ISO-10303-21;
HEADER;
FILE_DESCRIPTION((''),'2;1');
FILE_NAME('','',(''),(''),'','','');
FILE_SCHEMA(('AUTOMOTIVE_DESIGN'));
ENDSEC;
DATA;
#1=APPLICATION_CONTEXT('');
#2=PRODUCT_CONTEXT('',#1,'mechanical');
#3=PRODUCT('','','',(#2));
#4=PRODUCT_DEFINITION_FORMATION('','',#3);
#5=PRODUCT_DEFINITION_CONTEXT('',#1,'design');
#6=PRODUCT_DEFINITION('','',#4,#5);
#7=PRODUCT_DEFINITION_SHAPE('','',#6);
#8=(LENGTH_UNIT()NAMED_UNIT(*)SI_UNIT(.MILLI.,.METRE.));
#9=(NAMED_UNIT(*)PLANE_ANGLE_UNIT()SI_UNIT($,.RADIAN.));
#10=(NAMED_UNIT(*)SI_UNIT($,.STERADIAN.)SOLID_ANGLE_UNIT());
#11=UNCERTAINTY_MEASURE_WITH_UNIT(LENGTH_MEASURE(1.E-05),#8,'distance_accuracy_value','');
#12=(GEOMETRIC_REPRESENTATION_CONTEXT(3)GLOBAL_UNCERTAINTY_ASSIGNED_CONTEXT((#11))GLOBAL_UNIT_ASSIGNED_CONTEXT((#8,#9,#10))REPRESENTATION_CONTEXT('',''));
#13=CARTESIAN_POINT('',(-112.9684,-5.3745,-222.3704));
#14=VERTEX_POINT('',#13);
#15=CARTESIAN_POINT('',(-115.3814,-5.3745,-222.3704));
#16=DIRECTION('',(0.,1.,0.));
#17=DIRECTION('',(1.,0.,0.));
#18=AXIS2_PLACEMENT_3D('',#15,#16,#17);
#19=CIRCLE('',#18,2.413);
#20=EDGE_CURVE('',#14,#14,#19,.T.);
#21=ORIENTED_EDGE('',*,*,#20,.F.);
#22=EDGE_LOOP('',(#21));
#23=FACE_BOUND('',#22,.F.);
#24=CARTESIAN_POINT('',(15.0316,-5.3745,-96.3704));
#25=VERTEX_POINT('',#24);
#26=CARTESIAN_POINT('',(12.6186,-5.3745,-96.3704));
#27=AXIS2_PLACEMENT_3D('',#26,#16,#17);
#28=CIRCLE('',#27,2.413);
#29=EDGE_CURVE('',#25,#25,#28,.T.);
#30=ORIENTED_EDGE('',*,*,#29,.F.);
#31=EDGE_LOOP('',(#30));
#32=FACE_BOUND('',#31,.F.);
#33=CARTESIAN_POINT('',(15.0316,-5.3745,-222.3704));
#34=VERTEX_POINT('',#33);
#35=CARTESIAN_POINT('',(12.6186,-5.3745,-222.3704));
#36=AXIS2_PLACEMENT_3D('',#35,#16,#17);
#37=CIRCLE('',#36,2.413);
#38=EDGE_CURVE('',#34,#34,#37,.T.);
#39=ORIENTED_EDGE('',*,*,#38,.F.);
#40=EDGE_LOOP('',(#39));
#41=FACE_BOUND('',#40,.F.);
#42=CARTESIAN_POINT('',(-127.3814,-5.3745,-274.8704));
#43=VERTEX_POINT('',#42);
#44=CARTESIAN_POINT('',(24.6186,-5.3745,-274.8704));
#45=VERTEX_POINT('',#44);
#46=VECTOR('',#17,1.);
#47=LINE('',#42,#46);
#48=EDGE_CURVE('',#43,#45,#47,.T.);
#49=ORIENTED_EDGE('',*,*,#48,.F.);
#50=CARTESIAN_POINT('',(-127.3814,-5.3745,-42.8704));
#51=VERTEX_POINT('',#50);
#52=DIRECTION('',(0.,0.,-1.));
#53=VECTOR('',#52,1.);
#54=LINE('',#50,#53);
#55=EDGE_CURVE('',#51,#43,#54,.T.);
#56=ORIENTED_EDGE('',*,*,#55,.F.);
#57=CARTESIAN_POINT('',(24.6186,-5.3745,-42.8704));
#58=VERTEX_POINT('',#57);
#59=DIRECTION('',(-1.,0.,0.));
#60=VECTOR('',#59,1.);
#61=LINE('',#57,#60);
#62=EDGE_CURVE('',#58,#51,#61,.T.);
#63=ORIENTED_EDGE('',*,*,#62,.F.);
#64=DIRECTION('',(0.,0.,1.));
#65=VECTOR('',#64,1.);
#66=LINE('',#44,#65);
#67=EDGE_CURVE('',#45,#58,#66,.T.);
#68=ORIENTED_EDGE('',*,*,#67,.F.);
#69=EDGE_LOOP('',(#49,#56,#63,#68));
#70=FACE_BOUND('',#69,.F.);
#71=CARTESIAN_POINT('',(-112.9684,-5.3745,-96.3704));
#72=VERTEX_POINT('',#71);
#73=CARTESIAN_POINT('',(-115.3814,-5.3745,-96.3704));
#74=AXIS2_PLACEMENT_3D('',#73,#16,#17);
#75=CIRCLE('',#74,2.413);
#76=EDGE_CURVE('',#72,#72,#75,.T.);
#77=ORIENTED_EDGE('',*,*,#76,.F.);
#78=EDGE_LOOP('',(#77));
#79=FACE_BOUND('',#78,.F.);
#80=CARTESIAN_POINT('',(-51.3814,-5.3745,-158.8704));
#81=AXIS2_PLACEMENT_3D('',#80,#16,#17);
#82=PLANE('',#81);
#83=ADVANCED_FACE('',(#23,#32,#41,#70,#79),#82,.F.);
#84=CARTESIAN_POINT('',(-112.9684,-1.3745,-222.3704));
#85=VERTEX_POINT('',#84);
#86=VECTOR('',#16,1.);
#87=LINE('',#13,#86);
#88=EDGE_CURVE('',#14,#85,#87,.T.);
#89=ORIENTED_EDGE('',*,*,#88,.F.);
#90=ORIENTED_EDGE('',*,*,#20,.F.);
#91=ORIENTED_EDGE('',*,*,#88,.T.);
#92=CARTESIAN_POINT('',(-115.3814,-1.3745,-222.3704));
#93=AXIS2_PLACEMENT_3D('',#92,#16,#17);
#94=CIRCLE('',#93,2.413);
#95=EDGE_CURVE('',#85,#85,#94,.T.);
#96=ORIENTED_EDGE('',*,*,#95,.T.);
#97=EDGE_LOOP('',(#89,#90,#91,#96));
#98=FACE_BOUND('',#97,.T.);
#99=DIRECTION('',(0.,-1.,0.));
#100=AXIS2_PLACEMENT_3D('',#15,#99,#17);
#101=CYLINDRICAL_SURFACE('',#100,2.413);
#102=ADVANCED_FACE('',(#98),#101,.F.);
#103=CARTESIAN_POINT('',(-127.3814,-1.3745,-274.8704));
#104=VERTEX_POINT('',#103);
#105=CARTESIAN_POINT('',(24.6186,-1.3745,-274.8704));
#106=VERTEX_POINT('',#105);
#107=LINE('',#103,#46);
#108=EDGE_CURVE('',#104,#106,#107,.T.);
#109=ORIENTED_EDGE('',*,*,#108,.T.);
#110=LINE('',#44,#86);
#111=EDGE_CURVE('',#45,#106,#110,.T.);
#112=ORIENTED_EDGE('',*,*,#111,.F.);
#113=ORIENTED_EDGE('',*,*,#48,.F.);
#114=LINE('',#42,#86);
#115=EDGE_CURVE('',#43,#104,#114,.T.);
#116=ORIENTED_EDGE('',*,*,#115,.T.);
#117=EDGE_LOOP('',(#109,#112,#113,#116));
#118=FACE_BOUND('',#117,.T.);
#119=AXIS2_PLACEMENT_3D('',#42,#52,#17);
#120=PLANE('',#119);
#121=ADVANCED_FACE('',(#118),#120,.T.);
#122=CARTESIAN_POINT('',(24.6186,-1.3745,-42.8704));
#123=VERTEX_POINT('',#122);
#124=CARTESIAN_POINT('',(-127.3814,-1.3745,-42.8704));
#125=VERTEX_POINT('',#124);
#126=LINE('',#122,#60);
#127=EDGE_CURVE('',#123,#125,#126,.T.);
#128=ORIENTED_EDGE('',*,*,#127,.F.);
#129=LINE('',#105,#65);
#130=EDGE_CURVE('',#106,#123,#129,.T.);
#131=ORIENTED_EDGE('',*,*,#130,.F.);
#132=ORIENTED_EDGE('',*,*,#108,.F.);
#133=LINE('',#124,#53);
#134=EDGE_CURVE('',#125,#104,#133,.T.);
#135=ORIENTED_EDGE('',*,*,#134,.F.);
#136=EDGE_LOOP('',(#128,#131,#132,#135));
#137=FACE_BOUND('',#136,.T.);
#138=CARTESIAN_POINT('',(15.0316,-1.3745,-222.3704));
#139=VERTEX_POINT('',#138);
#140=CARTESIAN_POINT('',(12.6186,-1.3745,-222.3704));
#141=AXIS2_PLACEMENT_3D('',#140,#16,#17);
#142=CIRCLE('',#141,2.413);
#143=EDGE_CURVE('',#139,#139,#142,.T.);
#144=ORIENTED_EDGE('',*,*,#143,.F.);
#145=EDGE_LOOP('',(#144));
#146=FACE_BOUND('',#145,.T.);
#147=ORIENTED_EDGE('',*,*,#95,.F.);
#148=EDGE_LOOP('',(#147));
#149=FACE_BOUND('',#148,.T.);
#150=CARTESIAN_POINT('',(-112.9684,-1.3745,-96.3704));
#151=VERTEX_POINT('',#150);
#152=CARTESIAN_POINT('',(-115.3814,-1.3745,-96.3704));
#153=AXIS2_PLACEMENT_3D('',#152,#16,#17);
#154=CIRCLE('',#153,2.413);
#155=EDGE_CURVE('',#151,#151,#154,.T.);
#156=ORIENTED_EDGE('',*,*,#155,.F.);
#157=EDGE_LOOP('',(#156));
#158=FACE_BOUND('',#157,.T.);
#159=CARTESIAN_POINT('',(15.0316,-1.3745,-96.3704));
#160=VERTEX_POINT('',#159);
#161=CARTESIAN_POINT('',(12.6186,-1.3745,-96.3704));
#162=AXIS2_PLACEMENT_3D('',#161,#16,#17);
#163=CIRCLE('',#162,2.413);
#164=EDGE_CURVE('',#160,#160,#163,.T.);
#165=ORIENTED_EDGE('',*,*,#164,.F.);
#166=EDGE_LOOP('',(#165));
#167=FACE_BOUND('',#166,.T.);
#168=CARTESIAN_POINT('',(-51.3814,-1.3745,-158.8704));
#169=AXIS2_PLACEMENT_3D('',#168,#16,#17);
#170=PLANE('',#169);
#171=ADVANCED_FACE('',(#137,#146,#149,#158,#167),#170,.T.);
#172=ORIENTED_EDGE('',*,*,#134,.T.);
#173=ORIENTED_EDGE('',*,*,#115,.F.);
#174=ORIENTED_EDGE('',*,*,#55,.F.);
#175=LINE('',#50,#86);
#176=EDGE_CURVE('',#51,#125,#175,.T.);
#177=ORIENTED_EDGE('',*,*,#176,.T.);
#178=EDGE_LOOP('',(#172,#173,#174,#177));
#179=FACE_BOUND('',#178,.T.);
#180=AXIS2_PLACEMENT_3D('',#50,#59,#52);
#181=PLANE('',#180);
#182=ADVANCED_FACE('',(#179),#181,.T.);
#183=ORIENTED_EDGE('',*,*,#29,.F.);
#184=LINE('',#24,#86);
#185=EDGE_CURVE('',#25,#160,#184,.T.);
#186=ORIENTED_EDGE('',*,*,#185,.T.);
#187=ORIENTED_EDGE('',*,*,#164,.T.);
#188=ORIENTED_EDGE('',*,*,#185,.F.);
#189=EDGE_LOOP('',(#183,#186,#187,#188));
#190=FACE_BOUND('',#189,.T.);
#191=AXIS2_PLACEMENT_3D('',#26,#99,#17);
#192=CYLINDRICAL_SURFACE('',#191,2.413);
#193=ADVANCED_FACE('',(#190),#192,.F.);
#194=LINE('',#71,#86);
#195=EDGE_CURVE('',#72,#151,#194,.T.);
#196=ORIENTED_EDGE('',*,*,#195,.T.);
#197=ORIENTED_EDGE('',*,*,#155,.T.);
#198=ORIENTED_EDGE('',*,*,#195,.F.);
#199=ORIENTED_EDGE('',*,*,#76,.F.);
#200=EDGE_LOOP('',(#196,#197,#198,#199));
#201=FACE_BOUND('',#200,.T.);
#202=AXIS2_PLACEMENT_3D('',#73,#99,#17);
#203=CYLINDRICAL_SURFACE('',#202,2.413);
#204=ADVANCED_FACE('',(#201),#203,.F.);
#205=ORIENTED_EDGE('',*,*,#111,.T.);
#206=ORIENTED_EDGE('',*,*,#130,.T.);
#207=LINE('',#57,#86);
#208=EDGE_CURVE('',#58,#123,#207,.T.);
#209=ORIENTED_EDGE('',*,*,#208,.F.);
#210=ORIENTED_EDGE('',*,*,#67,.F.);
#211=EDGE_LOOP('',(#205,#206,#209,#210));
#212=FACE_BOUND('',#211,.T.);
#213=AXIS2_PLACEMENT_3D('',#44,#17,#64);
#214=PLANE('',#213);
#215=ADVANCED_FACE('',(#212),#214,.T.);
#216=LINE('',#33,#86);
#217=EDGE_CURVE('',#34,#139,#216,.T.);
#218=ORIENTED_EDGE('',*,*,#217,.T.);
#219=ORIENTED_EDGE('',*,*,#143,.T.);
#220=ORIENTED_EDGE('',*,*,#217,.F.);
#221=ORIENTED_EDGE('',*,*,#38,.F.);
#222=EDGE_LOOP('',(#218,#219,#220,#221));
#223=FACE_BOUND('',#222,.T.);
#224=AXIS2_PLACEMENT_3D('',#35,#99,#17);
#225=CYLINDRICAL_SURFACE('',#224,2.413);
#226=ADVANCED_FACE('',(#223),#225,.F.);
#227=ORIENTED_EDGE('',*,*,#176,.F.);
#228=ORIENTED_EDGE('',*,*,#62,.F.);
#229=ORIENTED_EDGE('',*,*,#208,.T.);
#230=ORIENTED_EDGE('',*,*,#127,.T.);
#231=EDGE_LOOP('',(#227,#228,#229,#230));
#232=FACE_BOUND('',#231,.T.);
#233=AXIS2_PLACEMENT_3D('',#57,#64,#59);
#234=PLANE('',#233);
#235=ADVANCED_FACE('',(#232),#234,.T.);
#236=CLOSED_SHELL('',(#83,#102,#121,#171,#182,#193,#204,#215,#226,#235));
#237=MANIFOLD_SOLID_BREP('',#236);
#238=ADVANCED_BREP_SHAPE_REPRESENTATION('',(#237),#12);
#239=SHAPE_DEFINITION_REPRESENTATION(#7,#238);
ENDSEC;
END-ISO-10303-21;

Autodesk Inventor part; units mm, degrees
ref_plane "YZ Plane" through (0, 0, 0) normal (1, 0, 0) x (0, 1, 0)
ref_plane "XZ Plane" through (0, 0, 0) normal (0, 1, 0) x (-1, 0, 0)
ref_plane "XY Plane" through (0, 0, 0) normal (0, 0, 1) x (1, 0, 0)
ref_plane "Work Plane1" through (-51.3814, -5.3745, -158.8704) normal (0, 1, 0) x (1, 0, 0)
sketch "Sketch1" plane through (-51.3814, -5.3745, -158.8704) normal (0, 1, 0) x (1, 0, 0)
  line L0 (74, 114.5) -> (74, 71.5) projected
  line L1 (-74, 114.5) -> (74, 114.5) projected
  line L2 (-74, 71.5) -> (-74, 114.5) projected
  line L3 (-64, 71.5) -> (-74, 71.5) projected
  arc A0 (-64, 55.5) -> (-64, 71.5) centre (-64, 63.5) ccw projected
  line L4 (-74, 55.5) -> (-64, 55.5) projected
  line L5 (-74, -54.5) -> (-74, 55.5) projected
  line L6 (-64, -54.5) -> (-74, -54.5) projected
  arc A1 (-64, -70.5) -> (-64, -54.5) centre (-64, -62.5) ccw projected
  line L7 (-74, -70.5) -> (-64, -70.5) projected
  line L8 (-74, -114.5) -> (-74, -70.5) projected
  line L9 (74, -114.5) -> (-74, -114.5) projected
  line L10 (74, -70.5) -> (74, -114.5) projected
  line L11 (64, -70.5) -> (74, -70.5) projected
  arc A2 (64, -54.5) -> (64, -70.5) centre (64, -62.5) ccw projected
  line L12 (74, -54.5) -> (64, -54.5) projected
  line L13 (74, 55.5) -> (74, -54.5) projected
  line L14 (64, 55.5) -> (74, 55.5) projected
  arc A3 (64, 71.5) -> (64, 55.5) centre (64, 63.5) ccw projected
  line L15 (74, 71.5) -> (64, 71.5) projected
  line L16 (0, 114.5) -> (0, -114.5) construction
  line L17 (-76, 116) -> (76, 116)
  line L18 (76, 116) -> (76, -116)
  line L19 (76, -116) -> (-76, -116)
  line L20 (-76, -116) -> (-76, 116)
  line L21 (-76, 116) -> (76, -116) construction
  line L22 (76, 116) -> (-76, -116) construction
  circle A4 centre (-64, -62.5) radius 2.413
  circle A5 centre (-64, 63.5) radius 2.413
  circle A6 centre (64, 63.5) radius 2.413
  circle A7 centre (64, -62.5) radius 2.413
  point P0 (51.3814, -158.8704)
  point P1 (0, 0)
  dimension "d0" = 152
  dimension "d1" = 232
  dimension "d2" = 4.826
  dimension "d3" = 4.826
  dimension "d4" = 4.826
  dimension "d5" = 4.826
extrude "Extrusion1" add sketch "Sketch1" along normal blind 4 contours L0 L15 A3 L14 L13 L12 A2 L11 L10 L9 L8 L7 A1 L6 L5 L4 A0 L3 L2 L1 | L17 L18 L19 L20
properties part number "bed_plate"
